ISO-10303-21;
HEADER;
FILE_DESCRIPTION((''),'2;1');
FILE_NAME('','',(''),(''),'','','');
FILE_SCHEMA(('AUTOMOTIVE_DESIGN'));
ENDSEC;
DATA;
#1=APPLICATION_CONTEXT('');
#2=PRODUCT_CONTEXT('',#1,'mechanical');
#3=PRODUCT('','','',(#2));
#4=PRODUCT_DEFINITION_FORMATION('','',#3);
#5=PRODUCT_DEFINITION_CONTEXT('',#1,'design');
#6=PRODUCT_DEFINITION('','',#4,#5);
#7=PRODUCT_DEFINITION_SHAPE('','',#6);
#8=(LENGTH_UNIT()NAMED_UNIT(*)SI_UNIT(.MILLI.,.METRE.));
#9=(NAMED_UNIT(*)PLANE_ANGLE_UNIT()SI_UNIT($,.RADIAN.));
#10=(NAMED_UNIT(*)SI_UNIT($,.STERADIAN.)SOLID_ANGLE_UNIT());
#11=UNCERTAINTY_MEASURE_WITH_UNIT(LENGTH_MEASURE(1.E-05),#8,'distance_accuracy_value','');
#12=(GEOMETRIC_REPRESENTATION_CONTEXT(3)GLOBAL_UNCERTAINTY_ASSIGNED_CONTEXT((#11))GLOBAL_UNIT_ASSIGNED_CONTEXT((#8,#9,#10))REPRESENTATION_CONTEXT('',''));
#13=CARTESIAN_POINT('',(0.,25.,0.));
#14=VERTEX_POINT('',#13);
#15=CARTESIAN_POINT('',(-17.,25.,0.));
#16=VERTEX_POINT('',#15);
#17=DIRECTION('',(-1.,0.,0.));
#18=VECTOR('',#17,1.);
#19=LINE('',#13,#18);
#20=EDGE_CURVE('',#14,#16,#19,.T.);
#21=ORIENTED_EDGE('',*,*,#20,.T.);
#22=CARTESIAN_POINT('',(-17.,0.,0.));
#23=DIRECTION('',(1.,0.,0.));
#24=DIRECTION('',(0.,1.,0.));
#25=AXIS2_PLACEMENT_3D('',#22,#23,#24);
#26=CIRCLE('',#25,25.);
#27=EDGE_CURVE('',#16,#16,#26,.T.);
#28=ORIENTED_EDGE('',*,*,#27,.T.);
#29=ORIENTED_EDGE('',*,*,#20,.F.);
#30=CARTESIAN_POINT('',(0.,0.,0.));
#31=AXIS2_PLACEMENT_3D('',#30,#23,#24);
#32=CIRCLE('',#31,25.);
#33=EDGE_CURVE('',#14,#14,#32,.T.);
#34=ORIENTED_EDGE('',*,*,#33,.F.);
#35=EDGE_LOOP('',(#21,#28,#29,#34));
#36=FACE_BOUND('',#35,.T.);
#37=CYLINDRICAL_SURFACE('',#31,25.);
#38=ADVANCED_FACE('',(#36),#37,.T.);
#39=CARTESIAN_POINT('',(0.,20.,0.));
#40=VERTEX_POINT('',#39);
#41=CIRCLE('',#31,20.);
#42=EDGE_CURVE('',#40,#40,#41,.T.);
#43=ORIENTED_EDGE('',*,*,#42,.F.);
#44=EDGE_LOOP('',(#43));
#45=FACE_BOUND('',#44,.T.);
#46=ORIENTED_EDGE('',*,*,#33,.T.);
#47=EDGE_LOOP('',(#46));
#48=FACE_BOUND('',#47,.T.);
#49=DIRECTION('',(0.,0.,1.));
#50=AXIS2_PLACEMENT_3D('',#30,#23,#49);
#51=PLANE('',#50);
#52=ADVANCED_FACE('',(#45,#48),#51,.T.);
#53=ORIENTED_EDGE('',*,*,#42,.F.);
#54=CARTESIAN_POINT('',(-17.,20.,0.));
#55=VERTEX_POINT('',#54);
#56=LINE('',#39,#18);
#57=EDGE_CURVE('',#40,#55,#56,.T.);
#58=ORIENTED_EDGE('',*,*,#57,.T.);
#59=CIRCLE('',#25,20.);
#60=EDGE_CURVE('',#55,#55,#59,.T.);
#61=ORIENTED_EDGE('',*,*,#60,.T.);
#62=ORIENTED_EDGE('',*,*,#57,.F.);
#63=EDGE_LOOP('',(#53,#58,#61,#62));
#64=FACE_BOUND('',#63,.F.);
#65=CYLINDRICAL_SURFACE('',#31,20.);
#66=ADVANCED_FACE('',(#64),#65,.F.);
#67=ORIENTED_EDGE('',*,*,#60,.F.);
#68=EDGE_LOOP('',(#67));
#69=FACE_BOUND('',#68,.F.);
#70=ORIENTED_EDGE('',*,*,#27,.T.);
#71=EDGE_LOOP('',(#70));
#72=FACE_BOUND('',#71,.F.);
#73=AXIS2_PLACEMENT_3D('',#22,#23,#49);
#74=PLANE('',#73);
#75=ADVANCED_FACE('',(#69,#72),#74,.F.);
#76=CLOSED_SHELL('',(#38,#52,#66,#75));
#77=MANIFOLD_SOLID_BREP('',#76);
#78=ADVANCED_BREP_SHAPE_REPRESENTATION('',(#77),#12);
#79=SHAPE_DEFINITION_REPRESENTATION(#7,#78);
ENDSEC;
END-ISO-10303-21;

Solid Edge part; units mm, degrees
sketch "Sketch1" plane through (0, 0, 0) normal (1, 0, 0) x (0, 1, 0)
  circle A0 centre (0, 0) radius 25
  circle A1 centre (0, 0) radius 20
  dimension "D1" = 40
  dimension "D2" = 50
extrude "Protrusion1" add sketch "Sketch1" against normal blind 17
properties material "Aluminum, 6061-T6"
